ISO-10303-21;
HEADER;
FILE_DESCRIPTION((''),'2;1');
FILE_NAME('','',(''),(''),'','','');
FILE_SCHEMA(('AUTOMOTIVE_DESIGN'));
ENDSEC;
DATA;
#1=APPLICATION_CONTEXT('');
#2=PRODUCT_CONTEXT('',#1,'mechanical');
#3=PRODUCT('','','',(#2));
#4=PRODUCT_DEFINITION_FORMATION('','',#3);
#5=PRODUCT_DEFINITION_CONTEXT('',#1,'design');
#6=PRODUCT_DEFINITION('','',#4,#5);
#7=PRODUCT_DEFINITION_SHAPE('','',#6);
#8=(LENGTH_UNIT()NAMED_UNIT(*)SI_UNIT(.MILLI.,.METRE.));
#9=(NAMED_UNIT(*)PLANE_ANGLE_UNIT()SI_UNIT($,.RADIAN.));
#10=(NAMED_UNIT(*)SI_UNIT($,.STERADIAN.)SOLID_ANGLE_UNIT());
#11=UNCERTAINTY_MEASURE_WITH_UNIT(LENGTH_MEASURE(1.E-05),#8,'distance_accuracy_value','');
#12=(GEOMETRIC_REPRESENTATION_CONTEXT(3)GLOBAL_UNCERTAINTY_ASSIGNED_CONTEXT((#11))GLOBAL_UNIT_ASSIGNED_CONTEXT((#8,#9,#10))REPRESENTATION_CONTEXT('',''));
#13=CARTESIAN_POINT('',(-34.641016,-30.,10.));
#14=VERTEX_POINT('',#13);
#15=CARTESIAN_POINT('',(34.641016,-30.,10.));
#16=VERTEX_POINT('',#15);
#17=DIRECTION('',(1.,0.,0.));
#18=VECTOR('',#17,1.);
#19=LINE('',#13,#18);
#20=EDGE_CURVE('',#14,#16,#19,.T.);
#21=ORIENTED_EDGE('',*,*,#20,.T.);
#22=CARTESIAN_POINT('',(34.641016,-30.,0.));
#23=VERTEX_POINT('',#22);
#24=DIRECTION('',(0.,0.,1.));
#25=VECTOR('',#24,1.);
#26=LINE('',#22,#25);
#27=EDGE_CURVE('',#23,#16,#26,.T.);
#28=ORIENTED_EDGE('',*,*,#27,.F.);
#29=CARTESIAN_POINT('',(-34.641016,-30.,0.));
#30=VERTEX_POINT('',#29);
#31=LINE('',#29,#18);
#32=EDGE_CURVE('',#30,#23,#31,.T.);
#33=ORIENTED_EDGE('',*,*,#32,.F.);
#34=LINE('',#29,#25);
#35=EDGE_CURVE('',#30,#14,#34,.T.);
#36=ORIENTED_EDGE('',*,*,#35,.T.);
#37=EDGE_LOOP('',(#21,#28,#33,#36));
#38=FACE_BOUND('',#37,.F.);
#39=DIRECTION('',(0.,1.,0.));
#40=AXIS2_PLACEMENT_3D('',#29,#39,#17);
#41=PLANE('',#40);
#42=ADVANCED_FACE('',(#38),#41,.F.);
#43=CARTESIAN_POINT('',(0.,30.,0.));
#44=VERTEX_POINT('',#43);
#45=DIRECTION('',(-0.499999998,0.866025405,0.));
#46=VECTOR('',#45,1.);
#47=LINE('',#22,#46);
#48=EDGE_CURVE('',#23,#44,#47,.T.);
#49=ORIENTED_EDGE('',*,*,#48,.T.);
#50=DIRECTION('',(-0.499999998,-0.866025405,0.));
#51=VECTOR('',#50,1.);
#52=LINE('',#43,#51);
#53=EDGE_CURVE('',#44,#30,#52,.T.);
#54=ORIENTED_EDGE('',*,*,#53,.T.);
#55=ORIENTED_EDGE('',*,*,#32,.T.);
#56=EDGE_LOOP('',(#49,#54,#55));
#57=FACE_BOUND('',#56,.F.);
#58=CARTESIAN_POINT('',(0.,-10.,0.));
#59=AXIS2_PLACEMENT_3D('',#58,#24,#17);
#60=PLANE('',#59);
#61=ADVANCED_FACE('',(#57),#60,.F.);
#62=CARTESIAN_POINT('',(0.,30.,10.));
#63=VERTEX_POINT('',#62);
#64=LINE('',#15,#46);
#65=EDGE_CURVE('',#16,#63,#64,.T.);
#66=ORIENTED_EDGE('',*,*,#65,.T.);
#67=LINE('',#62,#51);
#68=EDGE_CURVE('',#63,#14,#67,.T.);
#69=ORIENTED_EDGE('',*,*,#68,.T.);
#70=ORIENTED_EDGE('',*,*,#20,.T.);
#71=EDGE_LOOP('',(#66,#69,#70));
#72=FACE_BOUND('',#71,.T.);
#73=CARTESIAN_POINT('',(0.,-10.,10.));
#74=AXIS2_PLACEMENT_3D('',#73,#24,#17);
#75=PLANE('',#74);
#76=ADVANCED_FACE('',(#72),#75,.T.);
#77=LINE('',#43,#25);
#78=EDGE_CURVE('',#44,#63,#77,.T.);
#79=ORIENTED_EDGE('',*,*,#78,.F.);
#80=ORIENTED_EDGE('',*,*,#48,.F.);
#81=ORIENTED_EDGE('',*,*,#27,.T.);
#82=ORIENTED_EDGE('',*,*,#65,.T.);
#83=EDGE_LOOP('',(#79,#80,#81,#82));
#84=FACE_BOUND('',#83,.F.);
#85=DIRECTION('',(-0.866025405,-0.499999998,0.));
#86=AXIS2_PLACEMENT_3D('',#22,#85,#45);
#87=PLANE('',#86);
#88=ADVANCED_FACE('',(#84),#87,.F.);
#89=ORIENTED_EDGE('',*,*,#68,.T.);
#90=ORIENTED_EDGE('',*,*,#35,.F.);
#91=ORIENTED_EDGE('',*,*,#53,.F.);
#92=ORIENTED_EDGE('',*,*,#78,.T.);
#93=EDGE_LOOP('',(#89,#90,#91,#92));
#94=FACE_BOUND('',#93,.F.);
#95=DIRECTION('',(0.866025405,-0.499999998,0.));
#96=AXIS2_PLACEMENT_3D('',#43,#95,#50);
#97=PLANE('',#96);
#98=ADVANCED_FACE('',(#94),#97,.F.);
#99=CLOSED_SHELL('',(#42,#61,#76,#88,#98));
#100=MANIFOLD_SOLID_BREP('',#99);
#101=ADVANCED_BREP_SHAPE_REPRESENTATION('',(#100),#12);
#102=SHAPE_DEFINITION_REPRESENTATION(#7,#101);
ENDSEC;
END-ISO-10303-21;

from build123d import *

# Parameters (mm, degrees)
PAD_DEPTH = 10


with BuildPart() as part:
    # Sketch → Pad (new body)
    with BuildSketch(Plane.XY):
        Polygon((0, 30), (-34.641016, -30), (34.641016, -30), align=None)
    extrude(amount=PAD_DEPTH)


solid = part.part
